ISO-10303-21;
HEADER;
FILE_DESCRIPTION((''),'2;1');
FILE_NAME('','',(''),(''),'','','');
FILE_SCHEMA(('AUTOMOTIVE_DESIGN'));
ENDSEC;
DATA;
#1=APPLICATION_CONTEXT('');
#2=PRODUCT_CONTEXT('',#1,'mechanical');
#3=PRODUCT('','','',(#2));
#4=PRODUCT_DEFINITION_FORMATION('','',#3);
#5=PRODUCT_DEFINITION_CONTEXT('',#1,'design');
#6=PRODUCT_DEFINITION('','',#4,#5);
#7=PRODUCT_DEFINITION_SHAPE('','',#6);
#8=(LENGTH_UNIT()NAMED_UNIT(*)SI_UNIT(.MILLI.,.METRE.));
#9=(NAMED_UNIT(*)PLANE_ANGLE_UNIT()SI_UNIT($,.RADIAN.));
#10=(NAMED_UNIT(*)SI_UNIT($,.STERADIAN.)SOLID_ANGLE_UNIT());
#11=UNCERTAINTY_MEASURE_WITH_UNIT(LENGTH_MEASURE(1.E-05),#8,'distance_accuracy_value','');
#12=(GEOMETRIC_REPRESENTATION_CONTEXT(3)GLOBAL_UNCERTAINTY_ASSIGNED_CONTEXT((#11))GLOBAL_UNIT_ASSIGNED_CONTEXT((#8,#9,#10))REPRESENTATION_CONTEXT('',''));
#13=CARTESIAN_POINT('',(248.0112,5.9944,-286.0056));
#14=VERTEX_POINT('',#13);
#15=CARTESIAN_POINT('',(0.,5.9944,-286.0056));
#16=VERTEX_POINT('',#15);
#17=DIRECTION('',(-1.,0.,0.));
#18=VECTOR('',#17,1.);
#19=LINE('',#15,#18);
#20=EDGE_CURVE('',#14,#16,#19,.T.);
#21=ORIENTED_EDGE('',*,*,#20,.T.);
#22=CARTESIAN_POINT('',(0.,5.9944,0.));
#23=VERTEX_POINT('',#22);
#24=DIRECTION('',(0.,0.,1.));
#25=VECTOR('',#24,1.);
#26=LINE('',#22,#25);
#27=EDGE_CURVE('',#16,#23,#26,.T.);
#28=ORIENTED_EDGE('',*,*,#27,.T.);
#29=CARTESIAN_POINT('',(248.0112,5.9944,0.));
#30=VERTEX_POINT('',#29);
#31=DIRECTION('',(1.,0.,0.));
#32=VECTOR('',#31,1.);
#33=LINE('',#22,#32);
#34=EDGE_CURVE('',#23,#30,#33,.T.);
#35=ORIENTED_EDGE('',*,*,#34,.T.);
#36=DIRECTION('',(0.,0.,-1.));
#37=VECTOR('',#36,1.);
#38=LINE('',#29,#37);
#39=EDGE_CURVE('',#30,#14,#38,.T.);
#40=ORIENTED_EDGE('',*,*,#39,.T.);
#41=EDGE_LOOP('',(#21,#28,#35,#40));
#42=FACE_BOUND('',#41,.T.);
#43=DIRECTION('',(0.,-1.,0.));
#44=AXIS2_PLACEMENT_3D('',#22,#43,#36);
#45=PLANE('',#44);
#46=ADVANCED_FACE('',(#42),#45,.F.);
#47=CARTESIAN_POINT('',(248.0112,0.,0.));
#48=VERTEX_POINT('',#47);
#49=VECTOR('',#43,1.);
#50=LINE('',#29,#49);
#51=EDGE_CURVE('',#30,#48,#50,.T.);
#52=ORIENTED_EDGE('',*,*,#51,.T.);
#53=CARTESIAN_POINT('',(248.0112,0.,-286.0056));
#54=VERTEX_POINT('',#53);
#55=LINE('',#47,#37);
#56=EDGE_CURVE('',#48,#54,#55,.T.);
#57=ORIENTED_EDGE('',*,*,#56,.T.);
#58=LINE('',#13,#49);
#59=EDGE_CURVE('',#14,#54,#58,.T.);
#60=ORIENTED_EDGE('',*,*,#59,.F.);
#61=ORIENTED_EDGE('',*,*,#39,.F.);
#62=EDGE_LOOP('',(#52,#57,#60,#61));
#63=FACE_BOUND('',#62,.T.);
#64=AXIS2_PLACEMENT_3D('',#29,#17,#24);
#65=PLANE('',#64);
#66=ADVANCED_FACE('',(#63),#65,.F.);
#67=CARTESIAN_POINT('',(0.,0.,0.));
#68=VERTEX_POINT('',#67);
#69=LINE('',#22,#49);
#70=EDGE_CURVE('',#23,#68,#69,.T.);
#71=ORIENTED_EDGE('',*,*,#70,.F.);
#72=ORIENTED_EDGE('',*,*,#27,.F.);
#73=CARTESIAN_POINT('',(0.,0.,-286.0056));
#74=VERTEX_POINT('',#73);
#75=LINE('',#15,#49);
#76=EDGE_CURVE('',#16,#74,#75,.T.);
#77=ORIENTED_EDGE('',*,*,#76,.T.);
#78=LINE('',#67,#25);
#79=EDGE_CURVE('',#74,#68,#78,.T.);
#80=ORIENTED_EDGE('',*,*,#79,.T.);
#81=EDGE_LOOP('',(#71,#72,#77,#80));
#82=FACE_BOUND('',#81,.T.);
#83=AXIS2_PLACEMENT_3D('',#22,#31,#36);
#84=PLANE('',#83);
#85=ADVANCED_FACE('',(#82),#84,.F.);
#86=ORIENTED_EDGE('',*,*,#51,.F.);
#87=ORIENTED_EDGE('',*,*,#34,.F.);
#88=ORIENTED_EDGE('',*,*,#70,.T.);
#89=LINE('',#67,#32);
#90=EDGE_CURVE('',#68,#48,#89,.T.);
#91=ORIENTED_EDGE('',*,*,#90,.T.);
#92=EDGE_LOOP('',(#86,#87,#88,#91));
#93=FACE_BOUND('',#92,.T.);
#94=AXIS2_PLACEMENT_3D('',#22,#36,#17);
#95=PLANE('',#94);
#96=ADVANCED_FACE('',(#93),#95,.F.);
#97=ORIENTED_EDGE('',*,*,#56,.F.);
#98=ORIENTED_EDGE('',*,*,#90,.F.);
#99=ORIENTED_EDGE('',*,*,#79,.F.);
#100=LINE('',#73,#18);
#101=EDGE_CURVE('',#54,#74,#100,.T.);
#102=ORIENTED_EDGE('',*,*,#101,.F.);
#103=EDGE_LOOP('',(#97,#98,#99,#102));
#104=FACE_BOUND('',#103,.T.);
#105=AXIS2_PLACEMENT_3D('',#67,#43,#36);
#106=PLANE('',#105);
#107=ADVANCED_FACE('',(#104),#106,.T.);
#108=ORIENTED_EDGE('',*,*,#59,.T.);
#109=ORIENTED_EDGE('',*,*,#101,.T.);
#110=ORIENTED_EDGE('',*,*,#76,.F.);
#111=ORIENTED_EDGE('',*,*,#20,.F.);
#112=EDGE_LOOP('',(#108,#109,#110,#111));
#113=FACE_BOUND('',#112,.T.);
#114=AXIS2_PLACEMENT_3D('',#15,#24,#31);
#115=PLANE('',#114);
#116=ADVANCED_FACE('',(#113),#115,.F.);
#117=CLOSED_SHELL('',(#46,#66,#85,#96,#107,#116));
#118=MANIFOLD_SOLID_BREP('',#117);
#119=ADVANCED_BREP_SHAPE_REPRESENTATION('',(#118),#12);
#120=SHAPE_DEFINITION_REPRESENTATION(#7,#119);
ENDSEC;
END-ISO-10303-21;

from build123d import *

# Parameters (mm, degrees)
SKETCH1_W           = 248.0112
SKETCH1_H           = 286.0056
BOSS_EXTRUDE1_DEPTH = 5.9944


with BuildPart() as part:
    # Sketch1 → Boss-Extrude1 (new body)
    with BuildSketch(Plane(origin=(0, 0, 0), x_dir=(1, 0, 0), z_dir=(0, 1, 0))):
        with Locations((124.0056, 143.0028)):
            Rectangle(SKETCH1_W, SKETCH1_H)
    extrude(amount=BOSS_EXTRUDE1_DEPTH)


solid = part.part
